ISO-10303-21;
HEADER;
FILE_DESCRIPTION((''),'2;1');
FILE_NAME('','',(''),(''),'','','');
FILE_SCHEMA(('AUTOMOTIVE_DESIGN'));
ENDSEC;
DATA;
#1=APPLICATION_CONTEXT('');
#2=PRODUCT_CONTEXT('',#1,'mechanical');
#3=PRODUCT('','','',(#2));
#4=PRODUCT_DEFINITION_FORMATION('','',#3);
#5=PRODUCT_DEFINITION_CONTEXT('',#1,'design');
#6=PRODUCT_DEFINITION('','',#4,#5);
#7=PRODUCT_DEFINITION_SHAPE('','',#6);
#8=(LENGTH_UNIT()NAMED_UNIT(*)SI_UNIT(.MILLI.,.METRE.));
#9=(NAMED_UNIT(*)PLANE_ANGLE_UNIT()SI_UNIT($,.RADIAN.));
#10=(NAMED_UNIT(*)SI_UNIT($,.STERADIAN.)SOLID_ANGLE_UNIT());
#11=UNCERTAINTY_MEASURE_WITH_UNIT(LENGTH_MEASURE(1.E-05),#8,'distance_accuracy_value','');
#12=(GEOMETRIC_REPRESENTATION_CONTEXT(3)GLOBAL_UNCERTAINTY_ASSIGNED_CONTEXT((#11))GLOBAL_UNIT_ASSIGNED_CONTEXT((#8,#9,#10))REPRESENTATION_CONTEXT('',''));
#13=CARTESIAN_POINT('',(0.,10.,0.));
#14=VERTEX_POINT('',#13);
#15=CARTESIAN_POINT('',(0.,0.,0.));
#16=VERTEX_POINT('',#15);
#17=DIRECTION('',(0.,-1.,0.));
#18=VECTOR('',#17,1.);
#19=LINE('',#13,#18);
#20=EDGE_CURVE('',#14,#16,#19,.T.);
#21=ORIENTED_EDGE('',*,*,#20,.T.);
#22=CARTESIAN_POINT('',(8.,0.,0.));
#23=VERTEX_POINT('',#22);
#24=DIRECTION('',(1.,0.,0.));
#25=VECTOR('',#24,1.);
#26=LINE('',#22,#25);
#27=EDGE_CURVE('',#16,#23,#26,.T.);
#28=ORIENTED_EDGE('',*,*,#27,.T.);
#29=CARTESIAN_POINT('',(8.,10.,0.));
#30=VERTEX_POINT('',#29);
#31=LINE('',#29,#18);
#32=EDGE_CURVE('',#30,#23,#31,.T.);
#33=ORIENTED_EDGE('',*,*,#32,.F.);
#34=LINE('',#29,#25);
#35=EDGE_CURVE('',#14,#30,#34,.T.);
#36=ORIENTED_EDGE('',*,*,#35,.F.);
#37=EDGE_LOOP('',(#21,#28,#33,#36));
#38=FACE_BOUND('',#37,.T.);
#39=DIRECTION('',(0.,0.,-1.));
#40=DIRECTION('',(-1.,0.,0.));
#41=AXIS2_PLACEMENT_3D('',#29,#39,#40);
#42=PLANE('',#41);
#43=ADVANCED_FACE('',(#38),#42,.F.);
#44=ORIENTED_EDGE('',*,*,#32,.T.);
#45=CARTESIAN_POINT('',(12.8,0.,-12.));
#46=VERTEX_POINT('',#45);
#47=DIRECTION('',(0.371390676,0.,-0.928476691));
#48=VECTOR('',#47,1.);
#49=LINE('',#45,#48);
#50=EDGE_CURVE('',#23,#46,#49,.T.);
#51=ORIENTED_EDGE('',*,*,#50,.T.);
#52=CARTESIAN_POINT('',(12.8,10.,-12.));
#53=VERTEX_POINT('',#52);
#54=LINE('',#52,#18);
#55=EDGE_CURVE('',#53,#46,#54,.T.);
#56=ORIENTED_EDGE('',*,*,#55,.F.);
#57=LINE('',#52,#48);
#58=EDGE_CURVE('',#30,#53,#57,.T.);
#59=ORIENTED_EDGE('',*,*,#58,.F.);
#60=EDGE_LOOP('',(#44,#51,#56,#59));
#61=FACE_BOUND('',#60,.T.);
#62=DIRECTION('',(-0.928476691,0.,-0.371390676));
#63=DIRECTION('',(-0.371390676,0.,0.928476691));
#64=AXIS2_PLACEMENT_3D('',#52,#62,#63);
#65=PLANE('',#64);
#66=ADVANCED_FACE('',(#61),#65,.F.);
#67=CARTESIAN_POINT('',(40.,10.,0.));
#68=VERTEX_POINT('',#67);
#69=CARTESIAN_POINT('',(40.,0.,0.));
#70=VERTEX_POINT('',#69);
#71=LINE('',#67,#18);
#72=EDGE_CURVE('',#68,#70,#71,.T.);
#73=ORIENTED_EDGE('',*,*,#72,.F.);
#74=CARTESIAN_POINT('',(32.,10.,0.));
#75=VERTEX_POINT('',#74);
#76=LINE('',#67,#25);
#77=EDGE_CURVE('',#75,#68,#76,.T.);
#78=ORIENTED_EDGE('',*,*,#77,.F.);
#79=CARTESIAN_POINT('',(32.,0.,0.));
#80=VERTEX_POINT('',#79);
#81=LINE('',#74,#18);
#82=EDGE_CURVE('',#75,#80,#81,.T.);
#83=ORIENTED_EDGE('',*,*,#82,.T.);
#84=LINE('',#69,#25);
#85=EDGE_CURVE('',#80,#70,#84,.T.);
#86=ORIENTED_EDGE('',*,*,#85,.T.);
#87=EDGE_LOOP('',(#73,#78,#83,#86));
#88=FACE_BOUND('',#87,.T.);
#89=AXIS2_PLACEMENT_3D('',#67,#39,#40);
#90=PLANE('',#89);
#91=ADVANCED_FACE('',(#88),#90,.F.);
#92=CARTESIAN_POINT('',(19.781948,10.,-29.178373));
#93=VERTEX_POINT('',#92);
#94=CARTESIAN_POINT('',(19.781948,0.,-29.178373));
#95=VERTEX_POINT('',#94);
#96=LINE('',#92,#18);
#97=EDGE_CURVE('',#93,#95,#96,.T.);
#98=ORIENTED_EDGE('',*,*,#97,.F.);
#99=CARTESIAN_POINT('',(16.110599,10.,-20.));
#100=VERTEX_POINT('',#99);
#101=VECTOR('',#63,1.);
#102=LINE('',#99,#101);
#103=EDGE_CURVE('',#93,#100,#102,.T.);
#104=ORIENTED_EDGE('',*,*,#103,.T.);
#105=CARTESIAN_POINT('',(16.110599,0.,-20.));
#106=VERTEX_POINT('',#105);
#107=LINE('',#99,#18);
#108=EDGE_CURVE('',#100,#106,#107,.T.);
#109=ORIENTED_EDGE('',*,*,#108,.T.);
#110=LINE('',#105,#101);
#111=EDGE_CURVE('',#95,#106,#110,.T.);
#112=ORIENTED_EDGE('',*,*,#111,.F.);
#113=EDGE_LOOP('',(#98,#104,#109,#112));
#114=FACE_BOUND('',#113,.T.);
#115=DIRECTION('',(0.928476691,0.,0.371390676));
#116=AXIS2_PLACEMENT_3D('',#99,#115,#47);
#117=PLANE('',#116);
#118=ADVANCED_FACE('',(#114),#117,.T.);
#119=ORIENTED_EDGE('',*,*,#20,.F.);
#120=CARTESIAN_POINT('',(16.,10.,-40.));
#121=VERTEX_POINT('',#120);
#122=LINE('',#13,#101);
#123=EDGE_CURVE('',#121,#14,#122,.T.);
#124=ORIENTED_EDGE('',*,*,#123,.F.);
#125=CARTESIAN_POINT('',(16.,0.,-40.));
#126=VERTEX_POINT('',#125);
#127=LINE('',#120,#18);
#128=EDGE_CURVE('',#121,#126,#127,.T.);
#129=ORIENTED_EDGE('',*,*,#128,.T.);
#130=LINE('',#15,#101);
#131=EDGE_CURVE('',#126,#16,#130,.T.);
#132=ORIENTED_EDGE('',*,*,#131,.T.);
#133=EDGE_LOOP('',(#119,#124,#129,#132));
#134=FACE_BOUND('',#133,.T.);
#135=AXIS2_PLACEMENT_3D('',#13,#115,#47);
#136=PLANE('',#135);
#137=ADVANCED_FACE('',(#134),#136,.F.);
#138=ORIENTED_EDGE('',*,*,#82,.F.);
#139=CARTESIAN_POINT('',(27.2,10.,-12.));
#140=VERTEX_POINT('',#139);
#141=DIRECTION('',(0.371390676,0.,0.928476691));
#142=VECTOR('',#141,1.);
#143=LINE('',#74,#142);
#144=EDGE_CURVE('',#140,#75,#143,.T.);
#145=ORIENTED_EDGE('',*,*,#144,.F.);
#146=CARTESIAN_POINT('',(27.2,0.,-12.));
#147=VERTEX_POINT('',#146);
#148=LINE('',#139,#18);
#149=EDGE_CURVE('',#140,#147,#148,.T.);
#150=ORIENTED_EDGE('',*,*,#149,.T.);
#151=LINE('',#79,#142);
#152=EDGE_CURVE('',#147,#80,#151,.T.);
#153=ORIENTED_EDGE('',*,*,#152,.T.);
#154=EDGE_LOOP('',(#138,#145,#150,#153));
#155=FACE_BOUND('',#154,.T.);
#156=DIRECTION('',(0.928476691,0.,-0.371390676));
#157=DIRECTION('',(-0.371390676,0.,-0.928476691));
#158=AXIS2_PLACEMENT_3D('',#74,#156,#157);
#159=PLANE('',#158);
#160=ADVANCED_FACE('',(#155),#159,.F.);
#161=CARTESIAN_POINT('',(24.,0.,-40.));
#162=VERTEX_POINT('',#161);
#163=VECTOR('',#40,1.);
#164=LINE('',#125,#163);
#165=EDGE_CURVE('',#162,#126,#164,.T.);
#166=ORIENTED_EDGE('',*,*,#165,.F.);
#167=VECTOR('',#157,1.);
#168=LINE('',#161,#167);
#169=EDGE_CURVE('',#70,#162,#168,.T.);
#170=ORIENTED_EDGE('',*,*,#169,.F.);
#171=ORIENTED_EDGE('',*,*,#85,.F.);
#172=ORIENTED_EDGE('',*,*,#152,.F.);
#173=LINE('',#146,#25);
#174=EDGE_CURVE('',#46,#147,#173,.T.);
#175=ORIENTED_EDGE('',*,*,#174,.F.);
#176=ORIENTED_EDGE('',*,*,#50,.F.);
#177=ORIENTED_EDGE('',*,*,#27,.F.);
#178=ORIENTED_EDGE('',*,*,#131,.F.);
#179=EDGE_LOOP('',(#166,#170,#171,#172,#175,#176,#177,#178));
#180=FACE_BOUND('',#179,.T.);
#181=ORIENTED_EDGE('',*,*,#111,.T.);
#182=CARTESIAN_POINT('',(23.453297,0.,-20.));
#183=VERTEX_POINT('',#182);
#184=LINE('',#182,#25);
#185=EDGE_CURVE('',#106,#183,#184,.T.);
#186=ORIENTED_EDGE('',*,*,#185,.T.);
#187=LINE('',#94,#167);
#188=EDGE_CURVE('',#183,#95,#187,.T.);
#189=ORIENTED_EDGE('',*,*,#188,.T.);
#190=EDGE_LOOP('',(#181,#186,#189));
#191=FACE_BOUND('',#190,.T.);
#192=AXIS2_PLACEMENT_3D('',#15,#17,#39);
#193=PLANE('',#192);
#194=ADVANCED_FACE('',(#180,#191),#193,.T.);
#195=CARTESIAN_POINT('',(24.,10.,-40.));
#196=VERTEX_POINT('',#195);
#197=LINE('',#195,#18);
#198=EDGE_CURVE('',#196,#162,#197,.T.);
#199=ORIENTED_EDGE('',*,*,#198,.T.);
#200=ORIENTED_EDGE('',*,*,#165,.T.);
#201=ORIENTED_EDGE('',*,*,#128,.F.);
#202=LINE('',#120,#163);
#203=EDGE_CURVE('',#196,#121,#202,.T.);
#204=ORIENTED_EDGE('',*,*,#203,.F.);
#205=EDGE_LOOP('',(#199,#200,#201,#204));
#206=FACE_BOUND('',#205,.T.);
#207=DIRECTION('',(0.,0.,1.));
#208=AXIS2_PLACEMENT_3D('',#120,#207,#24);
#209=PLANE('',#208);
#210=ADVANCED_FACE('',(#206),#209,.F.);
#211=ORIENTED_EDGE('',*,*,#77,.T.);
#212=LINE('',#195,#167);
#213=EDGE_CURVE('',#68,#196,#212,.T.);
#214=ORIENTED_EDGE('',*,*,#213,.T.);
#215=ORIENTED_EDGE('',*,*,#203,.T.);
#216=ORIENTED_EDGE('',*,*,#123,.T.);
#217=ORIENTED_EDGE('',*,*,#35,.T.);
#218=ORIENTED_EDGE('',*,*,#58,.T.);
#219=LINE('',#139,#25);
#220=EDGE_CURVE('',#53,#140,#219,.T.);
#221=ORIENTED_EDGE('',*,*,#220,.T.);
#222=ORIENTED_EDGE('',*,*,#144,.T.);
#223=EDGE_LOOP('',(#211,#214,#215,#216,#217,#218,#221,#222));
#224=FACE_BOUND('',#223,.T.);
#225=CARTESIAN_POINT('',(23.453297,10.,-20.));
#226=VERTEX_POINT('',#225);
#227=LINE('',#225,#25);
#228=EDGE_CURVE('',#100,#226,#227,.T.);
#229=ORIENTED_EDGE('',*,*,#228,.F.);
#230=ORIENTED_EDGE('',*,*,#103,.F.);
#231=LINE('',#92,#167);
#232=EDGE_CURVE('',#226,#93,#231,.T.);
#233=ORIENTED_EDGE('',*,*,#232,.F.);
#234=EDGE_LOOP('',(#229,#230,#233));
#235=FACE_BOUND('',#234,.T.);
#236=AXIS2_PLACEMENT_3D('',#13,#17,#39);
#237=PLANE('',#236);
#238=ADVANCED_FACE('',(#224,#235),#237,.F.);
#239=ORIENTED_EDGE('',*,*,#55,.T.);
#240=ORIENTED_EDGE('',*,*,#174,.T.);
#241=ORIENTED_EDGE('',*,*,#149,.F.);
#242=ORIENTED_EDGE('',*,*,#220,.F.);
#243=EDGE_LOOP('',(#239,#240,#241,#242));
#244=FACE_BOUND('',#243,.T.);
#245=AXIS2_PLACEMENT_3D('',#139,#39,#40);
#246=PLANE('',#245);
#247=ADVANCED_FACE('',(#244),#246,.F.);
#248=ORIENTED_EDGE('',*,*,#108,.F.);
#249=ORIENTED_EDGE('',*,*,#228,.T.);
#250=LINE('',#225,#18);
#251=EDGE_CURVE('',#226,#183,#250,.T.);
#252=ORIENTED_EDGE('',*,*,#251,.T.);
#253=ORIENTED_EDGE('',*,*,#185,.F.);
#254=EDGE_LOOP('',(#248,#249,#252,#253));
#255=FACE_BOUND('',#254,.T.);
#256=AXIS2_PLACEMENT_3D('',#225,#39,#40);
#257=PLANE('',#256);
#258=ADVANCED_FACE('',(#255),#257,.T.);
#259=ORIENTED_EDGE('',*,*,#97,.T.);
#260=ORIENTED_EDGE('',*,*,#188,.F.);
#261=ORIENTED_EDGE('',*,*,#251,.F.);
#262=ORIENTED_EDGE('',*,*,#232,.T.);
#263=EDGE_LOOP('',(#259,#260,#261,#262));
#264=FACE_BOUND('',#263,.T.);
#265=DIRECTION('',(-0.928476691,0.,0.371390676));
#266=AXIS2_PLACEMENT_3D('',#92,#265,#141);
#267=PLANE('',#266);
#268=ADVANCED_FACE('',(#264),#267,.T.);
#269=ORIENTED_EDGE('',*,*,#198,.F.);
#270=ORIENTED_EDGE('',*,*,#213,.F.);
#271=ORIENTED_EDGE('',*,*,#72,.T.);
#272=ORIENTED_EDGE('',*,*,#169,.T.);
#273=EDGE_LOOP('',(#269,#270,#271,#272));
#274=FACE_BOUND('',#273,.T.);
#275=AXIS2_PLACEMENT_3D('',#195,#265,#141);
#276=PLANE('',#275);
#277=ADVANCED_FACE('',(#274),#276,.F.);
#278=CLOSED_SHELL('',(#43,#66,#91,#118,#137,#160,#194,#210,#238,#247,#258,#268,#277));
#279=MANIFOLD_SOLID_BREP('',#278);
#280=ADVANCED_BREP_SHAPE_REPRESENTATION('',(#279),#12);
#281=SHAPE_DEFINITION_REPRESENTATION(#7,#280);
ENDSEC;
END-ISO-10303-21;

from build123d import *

# Parameters (mm, degrees)
BOSS_EXTRUDE1_DEPTH = 10


with BuildPart() as part:
    # Sketch1 → Boss-Extrude1 (new body)
    with BuildSketch(Plane(origin=(0, 0, 0), x_dir=(1, 0, 0), z_dir=(0, 1, 0))):
        Polygon((0, 0), (16, 40), (24, 40), (40, 0), (32, 0), (27.2, 12), (12.8, 12), (8, 0), align=None)
        Polygon((16.110598883, 20), (19.781948191, 29.17837327), (23.453297499, 20), align=None, mode=Mode.SUBTRACT)
    extrude(amount=BOSS_EXTRUDE1_DEPTH)


solid = part.part
